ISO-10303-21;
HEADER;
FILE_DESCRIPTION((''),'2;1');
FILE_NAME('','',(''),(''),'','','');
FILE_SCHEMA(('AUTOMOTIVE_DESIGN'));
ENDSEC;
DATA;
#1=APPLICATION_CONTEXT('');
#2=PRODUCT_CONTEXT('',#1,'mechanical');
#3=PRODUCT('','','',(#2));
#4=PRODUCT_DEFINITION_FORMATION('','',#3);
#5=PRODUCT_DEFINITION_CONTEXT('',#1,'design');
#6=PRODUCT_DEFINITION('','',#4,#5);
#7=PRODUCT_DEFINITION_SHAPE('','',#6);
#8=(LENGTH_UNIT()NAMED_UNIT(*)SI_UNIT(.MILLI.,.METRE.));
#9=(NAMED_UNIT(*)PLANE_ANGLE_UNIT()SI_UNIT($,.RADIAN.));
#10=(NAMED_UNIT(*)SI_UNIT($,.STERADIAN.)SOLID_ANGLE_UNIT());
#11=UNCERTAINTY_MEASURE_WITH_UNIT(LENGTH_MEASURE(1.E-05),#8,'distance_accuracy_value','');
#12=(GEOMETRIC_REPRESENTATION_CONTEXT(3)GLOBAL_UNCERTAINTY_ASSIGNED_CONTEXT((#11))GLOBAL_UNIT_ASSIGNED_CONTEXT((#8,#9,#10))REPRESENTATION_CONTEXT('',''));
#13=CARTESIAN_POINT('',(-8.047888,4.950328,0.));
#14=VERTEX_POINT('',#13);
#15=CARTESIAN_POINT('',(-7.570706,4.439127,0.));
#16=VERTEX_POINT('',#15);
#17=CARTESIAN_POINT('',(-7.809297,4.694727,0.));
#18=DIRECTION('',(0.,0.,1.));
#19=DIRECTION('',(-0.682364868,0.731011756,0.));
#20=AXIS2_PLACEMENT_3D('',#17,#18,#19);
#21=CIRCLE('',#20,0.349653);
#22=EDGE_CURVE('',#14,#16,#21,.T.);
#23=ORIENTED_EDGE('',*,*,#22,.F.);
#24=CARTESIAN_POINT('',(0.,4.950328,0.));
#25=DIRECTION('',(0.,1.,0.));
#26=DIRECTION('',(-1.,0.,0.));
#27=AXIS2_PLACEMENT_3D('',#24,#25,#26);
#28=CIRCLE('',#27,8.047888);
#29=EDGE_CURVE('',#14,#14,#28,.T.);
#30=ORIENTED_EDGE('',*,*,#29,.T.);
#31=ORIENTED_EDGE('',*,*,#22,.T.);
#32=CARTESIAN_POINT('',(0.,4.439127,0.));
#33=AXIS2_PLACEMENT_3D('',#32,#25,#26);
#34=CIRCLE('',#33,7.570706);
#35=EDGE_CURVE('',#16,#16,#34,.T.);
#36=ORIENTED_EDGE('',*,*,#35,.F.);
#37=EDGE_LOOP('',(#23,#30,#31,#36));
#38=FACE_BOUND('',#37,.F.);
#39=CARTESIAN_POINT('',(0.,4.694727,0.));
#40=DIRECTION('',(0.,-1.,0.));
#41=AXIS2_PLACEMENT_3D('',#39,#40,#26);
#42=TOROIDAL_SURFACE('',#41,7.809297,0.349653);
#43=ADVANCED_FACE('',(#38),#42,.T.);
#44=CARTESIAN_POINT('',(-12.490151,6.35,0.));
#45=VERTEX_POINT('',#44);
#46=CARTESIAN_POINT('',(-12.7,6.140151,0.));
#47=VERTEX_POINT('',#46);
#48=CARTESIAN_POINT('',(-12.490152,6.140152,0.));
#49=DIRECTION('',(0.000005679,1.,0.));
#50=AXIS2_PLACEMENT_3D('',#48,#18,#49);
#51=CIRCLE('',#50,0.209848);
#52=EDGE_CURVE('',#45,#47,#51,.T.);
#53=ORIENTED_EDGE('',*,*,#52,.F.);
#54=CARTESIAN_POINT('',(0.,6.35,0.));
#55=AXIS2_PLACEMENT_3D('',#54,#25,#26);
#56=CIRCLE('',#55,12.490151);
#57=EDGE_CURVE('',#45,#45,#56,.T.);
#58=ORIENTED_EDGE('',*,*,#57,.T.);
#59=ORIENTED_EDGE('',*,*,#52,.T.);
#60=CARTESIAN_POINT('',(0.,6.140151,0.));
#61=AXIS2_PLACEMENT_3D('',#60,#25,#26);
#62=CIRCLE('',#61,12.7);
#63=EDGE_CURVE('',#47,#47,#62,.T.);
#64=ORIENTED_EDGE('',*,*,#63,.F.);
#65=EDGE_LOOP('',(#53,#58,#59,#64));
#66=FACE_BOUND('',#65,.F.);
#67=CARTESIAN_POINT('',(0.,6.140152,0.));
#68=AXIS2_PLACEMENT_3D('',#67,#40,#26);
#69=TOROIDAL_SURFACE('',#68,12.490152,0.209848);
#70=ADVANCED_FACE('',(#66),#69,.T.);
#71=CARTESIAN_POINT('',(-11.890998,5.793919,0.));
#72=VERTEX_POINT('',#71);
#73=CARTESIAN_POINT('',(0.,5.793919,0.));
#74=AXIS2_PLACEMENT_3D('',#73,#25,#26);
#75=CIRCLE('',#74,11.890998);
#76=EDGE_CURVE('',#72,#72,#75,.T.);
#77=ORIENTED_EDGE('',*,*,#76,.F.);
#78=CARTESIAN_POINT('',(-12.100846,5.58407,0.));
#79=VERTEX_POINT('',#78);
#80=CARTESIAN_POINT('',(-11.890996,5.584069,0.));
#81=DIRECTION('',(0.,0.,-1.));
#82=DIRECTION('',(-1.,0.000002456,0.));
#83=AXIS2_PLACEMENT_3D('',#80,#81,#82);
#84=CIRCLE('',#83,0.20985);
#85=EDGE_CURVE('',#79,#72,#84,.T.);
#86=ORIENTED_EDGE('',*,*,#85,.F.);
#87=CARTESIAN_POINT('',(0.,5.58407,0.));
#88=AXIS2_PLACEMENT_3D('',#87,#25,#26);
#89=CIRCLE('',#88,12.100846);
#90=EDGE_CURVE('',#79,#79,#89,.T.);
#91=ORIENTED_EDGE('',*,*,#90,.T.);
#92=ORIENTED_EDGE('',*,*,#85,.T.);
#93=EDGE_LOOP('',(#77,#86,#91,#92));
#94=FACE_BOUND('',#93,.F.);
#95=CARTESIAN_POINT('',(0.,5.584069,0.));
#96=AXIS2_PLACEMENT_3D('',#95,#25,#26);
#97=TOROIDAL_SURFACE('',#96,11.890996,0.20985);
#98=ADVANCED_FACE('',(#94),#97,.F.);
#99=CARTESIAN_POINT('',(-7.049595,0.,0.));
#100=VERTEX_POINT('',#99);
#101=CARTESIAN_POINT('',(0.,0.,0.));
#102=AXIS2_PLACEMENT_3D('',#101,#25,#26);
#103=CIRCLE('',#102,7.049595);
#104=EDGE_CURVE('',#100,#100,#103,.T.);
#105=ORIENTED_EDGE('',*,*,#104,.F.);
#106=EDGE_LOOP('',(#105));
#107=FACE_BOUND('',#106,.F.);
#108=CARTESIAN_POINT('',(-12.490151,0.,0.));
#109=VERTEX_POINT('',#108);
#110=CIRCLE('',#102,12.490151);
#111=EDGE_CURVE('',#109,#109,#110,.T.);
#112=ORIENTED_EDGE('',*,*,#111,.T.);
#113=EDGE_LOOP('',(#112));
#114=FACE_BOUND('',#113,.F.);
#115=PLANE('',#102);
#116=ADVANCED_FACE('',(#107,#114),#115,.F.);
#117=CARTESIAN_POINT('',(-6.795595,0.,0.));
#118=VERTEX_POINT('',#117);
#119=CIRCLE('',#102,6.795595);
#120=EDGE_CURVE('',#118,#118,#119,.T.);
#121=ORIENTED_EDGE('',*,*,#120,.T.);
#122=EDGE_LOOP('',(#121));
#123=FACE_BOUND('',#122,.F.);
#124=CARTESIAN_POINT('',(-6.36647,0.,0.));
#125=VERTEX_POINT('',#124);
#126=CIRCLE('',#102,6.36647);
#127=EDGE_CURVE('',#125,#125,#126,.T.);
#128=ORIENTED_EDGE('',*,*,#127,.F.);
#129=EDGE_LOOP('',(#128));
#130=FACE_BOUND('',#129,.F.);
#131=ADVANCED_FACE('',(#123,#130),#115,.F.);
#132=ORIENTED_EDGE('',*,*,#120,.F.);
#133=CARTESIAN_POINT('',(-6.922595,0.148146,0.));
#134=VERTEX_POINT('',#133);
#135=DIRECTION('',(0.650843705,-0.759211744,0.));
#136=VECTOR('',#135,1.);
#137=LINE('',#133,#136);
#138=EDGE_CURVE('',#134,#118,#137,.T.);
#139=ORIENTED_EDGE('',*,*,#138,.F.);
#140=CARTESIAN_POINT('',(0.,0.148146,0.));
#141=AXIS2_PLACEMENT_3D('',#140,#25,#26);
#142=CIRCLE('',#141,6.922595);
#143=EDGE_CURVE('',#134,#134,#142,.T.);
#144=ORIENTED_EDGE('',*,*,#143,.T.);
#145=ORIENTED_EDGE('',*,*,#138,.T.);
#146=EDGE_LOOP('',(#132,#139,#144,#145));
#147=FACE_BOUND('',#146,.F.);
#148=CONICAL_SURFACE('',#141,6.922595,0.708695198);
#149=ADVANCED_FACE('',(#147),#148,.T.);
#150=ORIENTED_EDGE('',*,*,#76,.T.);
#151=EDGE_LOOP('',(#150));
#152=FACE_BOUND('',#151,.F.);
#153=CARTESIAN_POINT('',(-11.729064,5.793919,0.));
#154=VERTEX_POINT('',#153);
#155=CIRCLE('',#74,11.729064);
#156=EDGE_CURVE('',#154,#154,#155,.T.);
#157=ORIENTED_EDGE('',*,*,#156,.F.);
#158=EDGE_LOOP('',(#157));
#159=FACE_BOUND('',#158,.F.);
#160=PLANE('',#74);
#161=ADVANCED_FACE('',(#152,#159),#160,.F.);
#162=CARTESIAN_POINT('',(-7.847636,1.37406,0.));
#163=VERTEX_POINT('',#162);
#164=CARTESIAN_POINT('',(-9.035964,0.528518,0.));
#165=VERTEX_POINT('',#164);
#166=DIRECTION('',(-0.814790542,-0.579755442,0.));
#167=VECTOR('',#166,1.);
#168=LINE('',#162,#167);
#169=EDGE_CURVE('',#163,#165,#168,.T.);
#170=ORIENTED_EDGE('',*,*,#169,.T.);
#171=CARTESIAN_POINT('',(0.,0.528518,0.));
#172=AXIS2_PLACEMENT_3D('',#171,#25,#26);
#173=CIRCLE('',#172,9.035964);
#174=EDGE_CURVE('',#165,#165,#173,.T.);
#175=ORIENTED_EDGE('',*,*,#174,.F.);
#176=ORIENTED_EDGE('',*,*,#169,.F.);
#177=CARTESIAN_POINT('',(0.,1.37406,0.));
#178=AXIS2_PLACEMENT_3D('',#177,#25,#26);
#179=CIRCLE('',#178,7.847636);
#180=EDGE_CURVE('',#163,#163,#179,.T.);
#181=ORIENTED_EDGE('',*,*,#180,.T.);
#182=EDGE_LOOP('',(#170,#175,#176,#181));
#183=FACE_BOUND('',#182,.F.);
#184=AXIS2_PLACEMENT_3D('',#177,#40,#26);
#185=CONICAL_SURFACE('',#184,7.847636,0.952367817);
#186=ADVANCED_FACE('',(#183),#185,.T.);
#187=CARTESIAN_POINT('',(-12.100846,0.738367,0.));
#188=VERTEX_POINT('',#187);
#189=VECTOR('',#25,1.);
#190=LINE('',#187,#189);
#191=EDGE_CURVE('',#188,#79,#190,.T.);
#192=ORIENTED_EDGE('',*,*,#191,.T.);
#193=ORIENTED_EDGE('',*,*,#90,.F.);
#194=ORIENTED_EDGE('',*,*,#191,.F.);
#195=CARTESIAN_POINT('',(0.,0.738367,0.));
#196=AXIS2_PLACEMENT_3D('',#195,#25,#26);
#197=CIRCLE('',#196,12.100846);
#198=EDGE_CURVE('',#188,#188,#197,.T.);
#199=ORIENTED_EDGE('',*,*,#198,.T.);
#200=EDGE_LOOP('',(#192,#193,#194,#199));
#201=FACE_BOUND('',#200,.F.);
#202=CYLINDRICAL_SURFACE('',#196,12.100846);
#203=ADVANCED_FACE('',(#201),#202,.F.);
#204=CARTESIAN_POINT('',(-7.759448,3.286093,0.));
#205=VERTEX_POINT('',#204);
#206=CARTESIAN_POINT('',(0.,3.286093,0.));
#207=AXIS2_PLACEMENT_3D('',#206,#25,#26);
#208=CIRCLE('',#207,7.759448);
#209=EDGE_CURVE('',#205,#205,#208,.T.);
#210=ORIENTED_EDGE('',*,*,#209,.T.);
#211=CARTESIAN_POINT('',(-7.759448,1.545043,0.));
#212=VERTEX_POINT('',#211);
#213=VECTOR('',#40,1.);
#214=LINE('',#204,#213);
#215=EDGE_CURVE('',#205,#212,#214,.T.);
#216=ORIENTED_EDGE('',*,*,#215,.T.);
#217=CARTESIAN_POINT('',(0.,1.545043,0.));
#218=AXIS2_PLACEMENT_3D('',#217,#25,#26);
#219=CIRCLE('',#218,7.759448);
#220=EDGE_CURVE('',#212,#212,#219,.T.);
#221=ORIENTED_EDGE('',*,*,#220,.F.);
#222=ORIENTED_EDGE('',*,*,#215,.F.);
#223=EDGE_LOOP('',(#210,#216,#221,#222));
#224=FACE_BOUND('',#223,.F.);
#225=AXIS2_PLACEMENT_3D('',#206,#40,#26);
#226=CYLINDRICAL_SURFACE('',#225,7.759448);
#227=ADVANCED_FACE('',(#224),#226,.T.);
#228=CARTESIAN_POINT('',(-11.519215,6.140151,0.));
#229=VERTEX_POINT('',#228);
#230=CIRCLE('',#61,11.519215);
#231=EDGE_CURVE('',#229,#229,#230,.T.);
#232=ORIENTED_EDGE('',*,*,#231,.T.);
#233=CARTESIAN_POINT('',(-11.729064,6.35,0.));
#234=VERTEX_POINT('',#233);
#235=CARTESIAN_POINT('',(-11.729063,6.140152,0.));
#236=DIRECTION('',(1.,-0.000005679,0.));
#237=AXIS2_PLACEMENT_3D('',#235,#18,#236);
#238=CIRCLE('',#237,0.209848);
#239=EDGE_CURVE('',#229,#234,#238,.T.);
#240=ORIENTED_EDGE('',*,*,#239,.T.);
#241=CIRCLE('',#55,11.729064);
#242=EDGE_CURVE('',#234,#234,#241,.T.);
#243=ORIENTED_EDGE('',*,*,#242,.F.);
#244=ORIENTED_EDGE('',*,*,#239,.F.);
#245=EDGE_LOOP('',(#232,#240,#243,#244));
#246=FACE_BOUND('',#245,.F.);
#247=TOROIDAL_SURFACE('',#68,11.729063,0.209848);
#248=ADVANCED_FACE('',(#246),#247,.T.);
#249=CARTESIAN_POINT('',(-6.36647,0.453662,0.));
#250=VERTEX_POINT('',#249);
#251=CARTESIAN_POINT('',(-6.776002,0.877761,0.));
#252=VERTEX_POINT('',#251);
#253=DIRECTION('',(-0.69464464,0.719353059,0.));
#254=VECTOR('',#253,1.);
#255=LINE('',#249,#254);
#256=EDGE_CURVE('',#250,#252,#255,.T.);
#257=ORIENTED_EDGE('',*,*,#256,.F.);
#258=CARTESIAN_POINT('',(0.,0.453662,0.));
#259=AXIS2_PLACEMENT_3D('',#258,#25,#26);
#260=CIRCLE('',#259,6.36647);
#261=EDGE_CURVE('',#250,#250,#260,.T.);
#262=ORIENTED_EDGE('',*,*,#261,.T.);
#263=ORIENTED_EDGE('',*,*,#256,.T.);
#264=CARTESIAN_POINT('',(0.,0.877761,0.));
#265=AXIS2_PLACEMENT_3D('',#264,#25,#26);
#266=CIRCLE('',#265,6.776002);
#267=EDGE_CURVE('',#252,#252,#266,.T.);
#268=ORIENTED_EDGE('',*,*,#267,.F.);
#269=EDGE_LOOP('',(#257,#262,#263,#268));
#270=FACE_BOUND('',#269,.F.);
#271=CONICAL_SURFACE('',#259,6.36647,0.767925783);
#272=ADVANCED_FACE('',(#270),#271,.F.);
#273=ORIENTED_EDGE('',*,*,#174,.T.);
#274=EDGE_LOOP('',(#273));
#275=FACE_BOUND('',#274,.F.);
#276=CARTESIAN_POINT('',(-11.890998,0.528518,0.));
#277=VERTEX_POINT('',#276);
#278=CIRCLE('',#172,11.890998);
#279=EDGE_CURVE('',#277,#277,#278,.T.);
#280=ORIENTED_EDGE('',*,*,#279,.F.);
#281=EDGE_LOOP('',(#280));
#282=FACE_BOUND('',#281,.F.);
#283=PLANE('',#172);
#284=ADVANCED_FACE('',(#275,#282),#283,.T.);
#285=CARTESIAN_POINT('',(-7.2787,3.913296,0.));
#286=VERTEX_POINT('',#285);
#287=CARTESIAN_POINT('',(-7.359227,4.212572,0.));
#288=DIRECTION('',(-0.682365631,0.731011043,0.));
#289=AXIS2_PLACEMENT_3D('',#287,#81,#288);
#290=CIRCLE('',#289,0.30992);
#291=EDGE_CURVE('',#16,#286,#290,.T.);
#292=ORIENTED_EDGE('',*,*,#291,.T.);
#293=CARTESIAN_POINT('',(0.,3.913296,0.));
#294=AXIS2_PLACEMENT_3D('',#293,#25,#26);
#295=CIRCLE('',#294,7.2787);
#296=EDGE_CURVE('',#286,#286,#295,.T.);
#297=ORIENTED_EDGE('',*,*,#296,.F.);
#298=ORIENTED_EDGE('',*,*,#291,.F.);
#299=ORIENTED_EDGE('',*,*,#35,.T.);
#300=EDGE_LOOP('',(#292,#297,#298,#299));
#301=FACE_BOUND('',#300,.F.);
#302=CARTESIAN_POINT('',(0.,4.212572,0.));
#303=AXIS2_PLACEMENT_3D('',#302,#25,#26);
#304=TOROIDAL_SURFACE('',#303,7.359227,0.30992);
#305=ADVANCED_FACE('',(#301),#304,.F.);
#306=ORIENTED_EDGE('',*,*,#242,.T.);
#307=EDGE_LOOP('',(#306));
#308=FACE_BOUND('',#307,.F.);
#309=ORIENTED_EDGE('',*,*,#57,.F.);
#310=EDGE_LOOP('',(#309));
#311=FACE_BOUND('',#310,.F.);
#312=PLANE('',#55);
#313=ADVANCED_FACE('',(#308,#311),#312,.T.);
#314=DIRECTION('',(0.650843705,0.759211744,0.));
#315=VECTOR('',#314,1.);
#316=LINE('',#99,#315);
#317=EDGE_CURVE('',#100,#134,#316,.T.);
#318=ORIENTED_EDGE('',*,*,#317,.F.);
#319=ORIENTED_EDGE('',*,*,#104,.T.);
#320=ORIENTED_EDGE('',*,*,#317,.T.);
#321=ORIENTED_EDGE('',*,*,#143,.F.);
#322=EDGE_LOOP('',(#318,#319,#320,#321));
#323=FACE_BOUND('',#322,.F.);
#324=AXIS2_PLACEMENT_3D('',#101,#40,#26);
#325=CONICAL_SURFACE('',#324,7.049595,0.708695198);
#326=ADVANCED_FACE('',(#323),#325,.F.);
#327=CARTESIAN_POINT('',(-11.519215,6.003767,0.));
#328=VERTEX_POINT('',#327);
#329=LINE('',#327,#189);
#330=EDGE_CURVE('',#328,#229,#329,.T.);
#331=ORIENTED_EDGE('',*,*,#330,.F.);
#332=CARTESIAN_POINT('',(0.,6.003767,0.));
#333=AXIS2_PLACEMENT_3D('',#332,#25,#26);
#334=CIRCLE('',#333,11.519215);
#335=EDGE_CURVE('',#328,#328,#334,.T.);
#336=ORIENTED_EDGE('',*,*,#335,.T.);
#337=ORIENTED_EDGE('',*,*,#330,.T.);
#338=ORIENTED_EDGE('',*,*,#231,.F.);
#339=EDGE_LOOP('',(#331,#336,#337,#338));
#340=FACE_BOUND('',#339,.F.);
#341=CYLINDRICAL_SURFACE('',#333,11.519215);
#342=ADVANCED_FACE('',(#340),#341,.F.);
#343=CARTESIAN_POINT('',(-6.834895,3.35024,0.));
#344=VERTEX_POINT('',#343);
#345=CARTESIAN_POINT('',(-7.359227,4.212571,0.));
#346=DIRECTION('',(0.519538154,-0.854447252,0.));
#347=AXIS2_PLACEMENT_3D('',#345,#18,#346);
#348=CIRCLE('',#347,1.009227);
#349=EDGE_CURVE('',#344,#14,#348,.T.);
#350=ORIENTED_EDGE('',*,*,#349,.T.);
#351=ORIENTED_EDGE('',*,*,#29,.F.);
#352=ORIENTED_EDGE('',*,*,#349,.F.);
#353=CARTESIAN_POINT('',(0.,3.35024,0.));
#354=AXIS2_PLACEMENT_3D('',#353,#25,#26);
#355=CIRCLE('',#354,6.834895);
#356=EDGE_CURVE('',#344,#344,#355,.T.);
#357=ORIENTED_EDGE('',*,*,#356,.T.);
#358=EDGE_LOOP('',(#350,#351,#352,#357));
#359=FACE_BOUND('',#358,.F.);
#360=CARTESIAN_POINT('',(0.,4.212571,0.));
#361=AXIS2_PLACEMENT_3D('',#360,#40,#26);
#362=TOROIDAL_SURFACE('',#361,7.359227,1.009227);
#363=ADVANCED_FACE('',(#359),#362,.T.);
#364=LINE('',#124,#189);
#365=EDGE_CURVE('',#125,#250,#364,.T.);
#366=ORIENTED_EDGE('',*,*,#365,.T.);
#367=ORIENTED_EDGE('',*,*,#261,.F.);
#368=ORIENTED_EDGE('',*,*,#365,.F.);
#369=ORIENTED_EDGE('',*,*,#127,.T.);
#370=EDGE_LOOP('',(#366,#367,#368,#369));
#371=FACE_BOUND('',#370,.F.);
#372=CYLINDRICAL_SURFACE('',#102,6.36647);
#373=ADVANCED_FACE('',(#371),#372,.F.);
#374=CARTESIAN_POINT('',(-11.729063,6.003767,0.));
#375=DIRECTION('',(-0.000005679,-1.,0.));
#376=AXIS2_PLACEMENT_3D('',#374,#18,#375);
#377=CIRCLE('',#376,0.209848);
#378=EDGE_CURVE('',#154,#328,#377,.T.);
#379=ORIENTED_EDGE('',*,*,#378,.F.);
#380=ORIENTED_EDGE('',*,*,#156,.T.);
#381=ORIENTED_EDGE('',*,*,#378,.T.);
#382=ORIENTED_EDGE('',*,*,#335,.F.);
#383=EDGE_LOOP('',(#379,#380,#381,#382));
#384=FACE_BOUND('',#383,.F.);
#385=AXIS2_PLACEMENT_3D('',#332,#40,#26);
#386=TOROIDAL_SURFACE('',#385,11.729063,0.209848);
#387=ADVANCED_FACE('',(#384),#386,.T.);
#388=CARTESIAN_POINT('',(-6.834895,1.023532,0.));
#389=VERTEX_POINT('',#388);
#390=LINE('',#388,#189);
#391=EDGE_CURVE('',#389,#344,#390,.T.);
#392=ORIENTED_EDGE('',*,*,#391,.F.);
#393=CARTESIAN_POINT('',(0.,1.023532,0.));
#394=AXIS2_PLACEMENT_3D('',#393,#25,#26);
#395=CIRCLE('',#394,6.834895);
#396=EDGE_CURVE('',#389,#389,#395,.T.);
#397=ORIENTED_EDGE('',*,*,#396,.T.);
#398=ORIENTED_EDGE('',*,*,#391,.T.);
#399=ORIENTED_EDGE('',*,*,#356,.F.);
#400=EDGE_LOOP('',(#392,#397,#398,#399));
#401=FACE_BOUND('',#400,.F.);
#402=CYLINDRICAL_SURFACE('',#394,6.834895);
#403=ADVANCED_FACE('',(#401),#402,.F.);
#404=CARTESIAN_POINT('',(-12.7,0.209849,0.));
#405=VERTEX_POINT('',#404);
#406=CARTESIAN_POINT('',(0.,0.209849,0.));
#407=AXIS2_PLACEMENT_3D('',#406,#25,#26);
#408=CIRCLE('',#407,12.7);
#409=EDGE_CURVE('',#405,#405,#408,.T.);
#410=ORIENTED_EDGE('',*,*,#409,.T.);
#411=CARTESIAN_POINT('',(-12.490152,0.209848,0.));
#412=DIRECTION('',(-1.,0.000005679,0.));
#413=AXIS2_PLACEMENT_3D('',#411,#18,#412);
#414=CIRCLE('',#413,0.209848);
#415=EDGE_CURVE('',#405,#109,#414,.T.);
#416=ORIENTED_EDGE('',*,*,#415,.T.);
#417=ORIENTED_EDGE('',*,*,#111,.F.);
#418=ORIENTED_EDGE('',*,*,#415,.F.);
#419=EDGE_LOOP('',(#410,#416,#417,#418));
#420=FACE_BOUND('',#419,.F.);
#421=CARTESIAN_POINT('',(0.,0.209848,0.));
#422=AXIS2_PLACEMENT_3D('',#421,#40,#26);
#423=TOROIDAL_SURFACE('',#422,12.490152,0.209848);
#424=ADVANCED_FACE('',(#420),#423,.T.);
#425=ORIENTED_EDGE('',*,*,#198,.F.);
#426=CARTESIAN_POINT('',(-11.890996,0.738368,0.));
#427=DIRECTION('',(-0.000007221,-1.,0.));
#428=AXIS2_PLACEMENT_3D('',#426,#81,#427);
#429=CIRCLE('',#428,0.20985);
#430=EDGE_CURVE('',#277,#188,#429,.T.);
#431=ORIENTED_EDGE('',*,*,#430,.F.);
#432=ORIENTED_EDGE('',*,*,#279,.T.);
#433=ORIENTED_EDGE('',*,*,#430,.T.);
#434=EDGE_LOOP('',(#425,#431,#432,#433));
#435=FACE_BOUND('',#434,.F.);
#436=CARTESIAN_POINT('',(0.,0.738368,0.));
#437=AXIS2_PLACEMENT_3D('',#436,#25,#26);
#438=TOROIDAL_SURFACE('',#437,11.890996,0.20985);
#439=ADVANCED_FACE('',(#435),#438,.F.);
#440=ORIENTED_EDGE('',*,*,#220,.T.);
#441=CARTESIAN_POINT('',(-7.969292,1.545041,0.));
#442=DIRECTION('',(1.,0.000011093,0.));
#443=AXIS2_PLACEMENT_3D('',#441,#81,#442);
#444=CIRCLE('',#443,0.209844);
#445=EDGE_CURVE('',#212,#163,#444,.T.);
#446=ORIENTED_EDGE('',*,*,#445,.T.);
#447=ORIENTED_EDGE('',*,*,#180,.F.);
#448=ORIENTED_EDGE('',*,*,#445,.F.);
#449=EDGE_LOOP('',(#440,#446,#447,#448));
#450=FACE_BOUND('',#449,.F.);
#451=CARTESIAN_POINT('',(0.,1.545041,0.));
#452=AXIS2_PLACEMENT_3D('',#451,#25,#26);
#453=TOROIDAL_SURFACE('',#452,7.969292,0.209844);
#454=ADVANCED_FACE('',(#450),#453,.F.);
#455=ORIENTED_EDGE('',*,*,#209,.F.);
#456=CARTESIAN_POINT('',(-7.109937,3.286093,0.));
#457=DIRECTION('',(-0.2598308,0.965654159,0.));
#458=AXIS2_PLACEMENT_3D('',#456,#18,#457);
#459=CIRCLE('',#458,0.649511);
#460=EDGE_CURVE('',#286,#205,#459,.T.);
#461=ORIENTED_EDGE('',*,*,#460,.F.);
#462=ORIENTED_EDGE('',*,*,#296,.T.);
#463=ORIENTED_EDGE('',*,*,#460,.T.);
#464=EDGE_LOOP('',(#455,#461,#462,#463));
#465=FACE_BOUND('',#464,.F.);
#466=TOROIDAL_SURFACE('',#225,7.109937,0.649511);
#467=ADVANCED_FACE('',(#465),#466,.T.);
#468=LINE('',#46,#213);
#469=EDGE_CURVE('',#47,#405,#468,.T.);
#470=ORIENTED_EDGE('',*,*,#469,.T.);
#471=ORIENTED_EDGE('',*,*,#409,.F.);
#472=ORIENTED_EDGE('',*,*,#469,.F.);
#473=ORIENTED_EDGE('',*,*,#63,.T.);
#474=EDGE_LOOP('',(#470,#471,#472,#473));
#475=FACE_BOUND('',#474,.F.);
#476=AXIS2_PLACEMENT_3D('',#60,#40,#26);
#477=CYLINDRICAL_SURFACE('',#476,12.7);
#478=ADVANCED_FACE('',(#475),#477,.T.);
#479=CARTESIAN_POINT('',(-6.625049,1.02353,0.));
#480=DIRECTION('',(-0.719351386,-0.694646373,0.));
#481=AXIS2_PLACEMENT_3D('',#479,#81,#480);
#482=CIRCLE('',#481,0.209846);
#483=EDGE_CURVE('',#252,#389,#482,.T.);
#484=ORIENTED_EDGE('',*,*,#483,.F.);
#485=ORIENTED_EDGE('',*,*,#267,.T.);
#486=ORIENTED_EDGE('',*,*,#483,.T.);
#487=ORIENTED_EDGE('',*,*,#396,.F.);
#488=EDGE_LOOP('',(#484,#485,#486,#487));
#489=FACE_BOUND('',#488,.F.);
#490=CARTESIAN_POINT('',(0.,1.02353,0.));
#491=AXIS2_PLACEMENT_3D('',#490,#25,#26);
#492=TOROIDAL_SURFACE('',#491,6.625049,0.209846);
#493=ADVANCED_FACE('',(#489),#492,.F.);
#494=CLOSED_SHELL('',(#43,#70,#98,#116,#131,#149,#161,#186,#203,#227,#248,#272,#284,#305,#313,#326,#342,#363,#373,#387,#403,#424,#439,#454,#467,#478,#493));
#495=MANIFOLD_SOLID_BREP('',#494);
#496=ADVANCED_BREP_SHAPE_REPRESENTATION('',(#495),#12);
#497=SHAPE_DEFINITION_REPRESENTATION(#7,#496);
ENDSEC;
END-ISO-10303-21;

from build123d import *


with BuildPart() as f1:
    # F0 (on Top) → F1 (revolve)
    with BuildSketch(Plane.XY):
        with BuildLine():
            Line((-11.519215, 6.003767), (-11.519215, 6.140151))
            ThreePointArc((-11.519215, 6.140151), (-11.580678, 6.288537), (-11.729064, 6.35))
            Line((-11.729064, 6.35), (-12.490151, 6.35))
            ThreePointArc((-12.490151, 6.35), (-12.638537, 6.288537), (-12.7, 6.140151))
            Line((-12.7, 6.140151), (-12.7, 0.209849))
            ThreePointArc((-12.7, 0.209849), (-12.638537, 0.061463), (-12.490151, 0))
            Line((-12.490151, 0), (-7.049595, 0))
            Line((-7.049595, 0), (-6.922595, 0.148146))
            Line((-6.922595, 0.148146), (-6.795595, 0))
            Line((-6.795595, 0), (-6.36647, 0))
            Line((-6.36647, 0), (-6.36647, 0.453662))
            Line((-6.36647, 0.453662), (-6.776002, 0.877761))
            ThreePointArc((-6.776002, 0.877761), (-6.819616, 0.944923), (-6.834895, 1.023532))
            Line((-6.834895, 1.023532), (-6.834895, 3.35024))
            ThreePointArc((-6.834895, 3.35024), (-6.554975, 4.822258), (-8.047888, 4.950328))
            ThreePointArc((-8.047888, 4.950328), (-8.064898, 4.456137), (-7.570706, 4.439127))
            ThreePointArc((-7.570706, 4.439127), (-7.088281, 4.363034), (-7.2787, 3.913296))
            ThreePointArc((-7.2787, 3.913296), (-7.625436, 3.68122), (-7.759448, 3.286093))
            Line((-7.759448, 3.286093), (-7.759448, 1.545043))
            ThreePointArc((-7.759448, 1.545043), (-7.782793, 1.44885), (-7.847636, 1.37406))
            Line((-7.847636, 1.37406), (-9.035964, 0.528518))
            Line((-9.035964, 0.528518), (-11.890998, 0.528518))
            ThreePointArc((-11.890998, 0.528518), (-12.039383, 0.589982), (-12.100846, 0.738367))
            Line((-12.100846, 0.738367), (-12.100846, 5.58407))
            ThreePointArc((-12.100846, 5.58407), (-12.039383, 5.732455), (-11.890998, 5.793919))
            Line((-11.890998, 5.793919), (-11.729064, 5.793919))
            ThreePointArc((-11.729064, 5.793919), (-11.580678, 5.855382), (-11.519215, 6.003767))
        make_face()
    revolve(axis=Axis((0, 4.222262, 0), (0, 1, 0)))


solid = f1.part
